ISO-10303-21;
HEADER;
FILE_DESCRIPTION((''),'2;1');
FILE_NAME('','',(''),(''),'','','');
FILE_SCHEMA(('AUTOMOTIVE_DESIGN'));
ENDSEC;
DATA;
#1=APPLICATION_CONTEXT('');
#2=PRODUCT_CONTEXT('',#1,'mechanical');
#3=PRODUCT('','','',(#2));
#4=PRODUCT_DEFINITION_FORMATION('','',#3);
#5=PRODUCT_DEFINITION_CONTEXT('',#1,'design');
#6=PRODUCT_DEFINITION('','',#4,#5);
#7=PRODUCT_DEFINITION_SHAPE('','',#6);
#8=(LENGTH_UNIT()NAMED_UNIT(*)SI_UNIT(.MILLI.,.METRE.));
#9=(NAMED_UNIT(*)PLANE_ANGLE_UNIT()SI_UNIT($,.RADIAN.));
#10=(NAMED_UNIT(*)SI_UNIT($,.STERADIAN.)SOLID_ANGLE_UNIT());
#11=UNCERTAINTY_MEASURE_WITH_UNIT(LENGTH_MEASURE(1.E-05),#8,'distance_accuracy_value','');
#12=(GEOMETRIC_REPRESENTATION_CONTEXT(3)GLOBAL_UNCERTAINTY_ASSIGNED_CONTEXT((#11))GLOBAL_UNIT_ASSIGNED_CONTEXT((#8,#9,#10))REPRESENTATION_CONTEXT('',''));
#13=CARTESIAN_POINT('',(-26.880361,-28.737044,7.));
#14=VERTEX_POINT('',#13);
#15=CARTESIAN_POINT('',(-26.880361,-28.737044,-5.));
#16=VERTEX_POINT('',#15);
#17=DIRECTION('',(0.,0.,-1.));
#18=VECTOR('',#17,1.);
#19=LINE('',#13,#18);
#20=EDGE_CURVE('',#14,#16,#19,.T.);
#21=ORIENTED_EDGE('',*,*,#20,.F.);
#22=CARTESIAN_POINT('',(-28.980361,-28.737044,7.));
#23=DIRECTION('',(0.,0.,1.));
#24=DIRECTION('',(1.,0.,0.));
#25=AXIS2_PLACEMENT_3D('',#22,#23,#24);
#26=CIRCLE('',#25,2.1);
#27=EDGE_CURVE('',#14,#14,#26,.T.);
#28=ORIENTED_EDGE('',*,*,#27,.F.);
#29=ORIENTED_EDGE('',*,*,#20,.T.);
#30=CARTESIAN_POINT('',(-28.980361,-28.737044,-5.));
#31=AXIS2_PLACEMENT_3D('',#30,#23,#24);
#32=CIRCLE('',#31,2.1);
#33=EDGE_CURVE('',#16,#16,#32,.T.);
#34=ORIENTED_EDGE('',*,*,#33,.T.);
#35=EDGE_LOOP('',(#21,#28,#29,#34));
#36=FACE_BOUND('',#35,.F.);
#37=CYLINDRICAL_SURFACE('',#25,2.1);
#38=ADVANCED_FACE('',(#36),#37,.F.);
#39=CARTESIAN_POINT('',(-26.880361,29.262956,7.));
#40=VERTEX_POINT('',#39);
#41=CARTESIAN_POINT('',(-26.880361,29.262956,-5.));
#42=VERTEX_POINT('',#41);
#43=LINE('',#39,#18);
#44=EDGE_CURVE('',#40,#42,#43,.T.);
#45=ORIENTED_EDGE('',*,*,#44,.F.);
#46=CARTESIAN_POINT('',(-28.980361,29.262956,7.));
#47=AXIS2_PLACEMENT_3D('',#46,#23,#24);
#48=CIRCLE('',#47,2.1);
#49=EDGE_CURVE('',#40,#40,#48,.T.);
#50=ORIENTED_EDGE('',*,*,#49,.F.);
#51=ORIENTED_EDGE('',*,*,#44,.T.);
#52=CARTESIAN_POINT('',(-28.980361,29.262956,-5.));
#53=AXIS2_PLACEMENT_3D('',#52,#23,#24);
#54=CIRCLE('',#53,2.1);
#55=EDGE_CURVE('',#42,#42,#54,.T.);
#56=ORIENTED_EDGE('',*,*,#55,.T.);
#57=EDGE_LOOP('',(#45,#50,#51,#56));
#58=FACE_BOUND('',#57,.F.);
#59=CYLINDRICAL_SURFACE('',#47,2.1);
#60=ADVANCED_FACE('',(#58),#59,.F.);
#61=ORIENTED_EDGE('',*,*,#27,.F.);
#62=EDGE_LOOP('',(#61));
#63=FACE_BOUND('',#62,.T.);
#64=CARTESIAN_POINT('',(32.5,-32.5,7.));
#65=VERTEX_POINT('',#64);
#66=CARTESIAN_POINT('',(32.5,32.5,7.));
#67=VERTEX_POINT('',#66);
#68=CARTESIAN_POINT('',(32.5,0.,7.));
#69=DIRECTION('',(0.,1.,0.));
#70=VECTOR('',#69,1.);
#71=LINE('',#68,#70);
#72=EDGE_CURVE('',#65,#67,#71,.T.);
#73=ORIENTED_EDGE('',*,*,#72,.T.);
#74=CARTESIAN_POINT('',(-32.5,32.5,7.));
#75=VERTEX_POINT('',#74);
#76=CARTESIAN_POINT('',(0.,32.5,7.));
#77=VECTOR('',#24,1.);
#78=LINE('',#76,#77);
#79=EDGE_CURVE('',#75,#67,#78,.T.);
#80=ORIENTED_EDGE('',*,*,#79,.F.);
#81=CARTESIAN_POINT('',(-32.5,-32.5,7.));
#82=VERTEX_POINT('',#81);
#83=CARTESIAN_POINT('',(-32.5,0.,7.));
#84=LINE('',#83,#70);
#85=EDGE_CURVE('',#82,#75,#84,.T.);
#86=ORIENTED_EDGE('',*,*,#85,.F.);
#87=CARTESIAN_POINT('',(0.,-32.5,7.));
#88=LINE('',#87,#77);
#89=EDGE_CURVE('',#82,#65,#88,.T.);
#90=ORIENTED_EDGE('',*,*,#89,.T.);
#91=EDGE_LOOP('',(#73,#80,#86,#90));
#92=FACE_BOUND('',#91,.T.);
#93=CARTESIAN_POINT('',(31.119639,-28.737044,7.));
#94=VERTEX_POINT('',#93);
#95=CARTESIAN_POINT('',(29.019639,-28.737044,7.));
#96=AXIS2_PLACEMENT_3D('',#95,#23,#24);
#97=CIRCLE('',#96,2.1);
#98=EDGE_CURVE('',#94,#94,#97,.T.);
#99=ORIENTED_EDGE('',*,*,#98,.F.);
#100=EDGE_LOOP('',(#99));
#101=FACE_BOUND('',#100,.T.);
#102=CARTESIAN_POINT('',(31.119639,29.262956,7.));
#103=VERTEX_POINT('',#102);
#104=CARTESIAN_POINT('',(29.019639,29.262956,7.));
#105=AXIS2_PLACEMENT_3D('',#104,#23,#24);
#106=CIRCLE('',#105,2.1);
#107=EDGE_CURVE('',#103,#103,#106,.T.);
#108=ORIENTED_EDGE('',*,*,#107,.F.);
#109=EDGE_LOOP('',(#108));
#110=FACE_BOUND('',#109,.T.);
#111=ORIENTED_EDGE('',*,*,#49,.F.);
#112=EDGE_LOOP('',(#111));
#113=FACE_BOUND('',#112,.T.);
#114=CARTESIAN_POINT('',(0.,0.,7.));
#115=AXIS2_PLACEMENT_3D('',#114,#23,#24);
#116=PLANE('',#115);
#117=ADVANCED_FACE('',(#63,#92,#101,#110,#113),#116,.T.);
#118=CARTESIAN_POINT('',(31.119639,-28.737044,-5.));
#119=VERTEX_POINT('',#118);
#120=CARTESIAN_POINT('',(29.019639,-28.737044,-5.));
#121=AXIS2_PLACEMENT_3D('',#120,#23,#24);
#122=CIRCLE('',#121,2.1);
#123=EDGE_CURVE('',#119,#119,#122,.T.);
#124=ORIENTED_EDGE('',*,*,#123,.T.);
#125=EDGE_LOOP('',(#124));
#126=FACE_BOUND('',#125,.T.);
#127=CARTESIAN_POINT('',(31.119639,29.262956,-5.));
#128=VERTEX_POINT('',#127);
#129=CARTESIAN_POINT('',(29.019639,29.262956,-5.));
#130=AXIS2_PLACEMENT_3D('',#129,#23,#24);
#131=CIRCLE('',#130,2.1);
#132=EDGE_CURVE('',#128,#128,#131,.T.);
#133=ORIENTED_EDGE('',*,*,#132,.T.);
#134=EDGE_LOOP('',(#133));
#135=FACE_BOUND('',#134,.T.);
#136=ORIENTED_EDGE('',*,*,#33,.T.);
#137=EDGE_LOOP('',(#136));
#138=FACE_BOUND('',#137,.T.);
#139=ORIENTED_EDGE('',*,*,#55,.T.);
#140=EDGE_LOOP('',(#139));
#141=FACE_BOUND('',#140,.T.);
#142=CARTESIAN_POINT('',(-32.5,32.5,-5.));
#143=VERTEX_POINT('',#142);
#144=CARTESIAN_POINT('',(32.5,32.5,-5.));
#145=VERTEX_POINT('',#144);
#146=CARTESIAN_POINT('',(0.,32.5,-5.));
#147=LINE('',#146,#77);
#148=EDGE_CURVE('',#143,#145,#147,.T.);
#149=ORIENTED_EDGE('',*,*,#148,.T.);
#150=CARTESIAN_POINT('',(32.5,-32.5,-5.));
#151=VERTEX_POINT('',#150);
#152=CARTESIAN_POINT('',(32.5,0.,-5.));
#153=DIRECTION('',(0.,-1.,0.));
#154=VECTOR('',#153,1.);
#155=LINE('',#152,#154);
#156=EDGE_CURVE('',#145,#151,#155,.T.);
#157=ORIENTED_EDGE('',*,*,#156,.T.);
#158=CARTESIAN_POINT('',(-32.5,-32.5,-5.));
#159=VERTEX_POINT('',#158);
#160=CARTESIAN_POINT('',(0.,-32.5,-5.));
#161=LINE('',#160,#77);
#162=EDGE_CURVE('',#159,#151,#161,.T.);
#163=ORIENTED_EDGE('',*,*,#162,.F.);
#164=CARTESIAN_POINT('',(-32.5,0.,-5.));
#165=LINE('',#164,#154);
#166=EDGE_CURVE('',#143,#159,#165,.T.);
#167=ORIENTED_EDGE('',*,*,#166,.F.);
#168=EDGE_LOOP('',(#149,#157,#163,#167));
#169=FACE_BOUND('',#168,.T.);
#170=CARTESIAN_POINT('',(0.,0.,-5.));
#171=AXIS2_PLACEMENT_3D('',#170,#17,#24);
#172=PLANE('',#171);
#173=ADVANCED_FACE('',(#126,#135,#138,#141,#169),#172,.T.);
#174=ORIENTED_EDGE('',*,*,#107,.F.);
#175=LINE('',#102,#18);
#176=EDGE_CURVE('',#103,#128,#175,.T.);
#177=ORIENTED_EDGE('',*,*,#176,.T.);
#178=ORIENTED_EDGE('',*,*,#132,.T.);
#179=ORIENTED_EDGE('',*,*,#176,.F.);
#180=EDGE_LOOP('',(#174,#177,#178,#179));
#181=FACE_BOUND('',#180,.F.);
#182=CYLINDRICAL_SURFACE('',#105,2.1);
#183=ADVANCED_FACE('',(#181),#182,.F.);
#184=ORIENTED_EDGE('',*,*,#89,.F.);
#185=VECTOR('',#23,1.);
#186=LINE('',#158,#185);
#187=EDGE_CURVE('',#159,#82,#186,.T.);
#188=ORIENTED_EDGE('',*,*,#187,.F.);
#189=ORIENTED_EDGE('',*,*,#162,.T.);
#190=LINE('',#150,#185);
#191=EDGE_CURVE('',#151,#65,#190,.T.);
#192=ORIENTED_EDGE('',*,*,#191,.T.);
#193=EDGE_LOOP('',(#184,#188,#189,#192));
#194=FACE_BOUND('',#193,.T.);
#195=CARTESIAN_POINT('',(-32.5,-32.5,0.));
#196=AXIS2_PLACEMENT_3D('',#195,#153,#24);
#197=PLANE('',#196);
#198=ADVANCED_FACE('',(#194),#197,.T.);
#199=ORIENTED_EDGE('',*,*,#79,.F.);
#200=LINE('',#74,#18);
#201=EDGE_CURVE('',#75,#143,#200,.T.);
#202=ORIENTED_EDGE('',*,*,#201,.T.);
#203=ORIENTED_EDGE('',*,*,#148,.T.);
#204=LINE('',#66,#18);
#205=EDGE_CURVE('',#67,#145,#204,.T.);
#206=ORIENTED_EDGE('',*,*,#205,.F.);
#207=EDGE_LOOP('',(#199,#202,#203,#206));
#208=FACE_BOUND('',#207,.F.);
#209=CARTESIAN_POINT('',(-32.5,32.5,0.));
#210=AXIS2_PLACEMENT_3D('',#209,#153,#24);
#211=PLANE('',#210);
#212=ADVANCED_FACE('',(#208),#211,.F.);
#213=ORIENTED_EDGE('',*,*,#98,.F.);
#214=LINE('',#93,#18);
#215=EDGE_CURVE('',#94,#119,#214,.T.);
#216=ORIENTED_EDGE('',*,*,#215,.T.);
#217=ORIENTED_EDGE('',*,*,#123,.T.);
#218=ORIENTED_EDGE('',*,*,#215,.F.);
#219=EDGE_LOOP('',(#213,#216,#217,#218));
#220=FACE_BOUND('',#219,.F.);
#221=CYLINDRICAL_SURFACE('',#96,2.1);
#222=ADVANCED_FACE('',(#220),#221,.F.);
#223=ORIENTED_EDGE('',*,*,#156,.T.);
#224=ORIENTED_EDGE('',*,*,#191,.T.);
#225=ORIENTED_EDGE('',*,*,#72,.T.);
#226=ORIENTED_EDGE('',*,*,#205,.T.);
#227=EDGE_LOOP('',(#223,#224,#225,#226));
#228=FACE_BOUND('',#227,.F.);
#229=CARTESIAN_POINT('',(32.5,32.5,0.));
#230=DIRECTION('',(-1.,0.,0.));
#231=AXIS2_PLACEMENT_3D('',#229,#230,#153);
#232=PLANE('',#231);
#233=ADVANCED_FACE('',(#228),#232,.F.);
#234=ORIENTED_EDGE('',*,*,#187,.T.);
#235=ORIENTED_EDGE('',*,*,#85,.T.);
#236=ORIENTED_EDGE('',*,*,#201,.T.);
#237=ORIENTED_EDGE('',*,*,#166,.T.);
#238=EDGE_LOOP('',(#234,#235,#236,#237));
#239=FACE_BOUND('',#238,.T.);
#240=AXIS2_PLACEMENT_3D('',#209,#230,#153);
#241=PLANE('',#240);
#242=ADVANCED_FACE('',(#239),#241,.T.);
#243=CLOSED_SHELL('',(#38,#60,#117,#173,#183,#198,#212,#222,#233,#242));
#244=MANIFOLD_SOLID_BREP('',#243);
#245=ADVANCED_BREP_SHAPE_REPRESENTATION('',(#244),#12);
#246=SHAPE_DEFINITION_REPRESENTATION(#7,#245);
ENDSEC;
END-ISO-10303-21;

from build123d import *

# Parameters (mm, degrees)
F0_W     = 65
F0_H     = 65
F1_DEPTH = 7
F2_W     = 65
F2_H     = 65
F3_DEPTH = 5
F4_R     = 2.1
F5_DEPTH = 39


with BuildPart() as f1:
    # F0 (on Top) → F1 (new body)
    with BuildSketch(Plane.XY):
        Rectangle(F0_W, F0_H)
    extrude(amount=F1_DEPTH)

    # F2 (on face) → F3 (join)
    with BuildSketch(Plane(origin=(0, 0, 0), x_dir=(1, 0, 0), z_dir=(0, 0, -1))):
        Rectangle(F2_W, F2_H)
    extrude(amount=F3_DEPTH)

    # F4 (on face) → F5 (cut)
    with BuildSketch(Plane.XY.offset(7)):
        with Locations((-28.980361, 29.262956)):
            Circle(F4_R)
        with Locations((29.019639, 29.262956)):
            Circle(F4_R)
        with Locations((29.019639, -28.737044)):
            Circle(F4_R)
        with Locations((-28.980361, -28.737044)):
            Circle(F4_R)
    extrude(amount=-F5_DEPTH, mode=Mode.SUBTRACT)


solid = f1.part
